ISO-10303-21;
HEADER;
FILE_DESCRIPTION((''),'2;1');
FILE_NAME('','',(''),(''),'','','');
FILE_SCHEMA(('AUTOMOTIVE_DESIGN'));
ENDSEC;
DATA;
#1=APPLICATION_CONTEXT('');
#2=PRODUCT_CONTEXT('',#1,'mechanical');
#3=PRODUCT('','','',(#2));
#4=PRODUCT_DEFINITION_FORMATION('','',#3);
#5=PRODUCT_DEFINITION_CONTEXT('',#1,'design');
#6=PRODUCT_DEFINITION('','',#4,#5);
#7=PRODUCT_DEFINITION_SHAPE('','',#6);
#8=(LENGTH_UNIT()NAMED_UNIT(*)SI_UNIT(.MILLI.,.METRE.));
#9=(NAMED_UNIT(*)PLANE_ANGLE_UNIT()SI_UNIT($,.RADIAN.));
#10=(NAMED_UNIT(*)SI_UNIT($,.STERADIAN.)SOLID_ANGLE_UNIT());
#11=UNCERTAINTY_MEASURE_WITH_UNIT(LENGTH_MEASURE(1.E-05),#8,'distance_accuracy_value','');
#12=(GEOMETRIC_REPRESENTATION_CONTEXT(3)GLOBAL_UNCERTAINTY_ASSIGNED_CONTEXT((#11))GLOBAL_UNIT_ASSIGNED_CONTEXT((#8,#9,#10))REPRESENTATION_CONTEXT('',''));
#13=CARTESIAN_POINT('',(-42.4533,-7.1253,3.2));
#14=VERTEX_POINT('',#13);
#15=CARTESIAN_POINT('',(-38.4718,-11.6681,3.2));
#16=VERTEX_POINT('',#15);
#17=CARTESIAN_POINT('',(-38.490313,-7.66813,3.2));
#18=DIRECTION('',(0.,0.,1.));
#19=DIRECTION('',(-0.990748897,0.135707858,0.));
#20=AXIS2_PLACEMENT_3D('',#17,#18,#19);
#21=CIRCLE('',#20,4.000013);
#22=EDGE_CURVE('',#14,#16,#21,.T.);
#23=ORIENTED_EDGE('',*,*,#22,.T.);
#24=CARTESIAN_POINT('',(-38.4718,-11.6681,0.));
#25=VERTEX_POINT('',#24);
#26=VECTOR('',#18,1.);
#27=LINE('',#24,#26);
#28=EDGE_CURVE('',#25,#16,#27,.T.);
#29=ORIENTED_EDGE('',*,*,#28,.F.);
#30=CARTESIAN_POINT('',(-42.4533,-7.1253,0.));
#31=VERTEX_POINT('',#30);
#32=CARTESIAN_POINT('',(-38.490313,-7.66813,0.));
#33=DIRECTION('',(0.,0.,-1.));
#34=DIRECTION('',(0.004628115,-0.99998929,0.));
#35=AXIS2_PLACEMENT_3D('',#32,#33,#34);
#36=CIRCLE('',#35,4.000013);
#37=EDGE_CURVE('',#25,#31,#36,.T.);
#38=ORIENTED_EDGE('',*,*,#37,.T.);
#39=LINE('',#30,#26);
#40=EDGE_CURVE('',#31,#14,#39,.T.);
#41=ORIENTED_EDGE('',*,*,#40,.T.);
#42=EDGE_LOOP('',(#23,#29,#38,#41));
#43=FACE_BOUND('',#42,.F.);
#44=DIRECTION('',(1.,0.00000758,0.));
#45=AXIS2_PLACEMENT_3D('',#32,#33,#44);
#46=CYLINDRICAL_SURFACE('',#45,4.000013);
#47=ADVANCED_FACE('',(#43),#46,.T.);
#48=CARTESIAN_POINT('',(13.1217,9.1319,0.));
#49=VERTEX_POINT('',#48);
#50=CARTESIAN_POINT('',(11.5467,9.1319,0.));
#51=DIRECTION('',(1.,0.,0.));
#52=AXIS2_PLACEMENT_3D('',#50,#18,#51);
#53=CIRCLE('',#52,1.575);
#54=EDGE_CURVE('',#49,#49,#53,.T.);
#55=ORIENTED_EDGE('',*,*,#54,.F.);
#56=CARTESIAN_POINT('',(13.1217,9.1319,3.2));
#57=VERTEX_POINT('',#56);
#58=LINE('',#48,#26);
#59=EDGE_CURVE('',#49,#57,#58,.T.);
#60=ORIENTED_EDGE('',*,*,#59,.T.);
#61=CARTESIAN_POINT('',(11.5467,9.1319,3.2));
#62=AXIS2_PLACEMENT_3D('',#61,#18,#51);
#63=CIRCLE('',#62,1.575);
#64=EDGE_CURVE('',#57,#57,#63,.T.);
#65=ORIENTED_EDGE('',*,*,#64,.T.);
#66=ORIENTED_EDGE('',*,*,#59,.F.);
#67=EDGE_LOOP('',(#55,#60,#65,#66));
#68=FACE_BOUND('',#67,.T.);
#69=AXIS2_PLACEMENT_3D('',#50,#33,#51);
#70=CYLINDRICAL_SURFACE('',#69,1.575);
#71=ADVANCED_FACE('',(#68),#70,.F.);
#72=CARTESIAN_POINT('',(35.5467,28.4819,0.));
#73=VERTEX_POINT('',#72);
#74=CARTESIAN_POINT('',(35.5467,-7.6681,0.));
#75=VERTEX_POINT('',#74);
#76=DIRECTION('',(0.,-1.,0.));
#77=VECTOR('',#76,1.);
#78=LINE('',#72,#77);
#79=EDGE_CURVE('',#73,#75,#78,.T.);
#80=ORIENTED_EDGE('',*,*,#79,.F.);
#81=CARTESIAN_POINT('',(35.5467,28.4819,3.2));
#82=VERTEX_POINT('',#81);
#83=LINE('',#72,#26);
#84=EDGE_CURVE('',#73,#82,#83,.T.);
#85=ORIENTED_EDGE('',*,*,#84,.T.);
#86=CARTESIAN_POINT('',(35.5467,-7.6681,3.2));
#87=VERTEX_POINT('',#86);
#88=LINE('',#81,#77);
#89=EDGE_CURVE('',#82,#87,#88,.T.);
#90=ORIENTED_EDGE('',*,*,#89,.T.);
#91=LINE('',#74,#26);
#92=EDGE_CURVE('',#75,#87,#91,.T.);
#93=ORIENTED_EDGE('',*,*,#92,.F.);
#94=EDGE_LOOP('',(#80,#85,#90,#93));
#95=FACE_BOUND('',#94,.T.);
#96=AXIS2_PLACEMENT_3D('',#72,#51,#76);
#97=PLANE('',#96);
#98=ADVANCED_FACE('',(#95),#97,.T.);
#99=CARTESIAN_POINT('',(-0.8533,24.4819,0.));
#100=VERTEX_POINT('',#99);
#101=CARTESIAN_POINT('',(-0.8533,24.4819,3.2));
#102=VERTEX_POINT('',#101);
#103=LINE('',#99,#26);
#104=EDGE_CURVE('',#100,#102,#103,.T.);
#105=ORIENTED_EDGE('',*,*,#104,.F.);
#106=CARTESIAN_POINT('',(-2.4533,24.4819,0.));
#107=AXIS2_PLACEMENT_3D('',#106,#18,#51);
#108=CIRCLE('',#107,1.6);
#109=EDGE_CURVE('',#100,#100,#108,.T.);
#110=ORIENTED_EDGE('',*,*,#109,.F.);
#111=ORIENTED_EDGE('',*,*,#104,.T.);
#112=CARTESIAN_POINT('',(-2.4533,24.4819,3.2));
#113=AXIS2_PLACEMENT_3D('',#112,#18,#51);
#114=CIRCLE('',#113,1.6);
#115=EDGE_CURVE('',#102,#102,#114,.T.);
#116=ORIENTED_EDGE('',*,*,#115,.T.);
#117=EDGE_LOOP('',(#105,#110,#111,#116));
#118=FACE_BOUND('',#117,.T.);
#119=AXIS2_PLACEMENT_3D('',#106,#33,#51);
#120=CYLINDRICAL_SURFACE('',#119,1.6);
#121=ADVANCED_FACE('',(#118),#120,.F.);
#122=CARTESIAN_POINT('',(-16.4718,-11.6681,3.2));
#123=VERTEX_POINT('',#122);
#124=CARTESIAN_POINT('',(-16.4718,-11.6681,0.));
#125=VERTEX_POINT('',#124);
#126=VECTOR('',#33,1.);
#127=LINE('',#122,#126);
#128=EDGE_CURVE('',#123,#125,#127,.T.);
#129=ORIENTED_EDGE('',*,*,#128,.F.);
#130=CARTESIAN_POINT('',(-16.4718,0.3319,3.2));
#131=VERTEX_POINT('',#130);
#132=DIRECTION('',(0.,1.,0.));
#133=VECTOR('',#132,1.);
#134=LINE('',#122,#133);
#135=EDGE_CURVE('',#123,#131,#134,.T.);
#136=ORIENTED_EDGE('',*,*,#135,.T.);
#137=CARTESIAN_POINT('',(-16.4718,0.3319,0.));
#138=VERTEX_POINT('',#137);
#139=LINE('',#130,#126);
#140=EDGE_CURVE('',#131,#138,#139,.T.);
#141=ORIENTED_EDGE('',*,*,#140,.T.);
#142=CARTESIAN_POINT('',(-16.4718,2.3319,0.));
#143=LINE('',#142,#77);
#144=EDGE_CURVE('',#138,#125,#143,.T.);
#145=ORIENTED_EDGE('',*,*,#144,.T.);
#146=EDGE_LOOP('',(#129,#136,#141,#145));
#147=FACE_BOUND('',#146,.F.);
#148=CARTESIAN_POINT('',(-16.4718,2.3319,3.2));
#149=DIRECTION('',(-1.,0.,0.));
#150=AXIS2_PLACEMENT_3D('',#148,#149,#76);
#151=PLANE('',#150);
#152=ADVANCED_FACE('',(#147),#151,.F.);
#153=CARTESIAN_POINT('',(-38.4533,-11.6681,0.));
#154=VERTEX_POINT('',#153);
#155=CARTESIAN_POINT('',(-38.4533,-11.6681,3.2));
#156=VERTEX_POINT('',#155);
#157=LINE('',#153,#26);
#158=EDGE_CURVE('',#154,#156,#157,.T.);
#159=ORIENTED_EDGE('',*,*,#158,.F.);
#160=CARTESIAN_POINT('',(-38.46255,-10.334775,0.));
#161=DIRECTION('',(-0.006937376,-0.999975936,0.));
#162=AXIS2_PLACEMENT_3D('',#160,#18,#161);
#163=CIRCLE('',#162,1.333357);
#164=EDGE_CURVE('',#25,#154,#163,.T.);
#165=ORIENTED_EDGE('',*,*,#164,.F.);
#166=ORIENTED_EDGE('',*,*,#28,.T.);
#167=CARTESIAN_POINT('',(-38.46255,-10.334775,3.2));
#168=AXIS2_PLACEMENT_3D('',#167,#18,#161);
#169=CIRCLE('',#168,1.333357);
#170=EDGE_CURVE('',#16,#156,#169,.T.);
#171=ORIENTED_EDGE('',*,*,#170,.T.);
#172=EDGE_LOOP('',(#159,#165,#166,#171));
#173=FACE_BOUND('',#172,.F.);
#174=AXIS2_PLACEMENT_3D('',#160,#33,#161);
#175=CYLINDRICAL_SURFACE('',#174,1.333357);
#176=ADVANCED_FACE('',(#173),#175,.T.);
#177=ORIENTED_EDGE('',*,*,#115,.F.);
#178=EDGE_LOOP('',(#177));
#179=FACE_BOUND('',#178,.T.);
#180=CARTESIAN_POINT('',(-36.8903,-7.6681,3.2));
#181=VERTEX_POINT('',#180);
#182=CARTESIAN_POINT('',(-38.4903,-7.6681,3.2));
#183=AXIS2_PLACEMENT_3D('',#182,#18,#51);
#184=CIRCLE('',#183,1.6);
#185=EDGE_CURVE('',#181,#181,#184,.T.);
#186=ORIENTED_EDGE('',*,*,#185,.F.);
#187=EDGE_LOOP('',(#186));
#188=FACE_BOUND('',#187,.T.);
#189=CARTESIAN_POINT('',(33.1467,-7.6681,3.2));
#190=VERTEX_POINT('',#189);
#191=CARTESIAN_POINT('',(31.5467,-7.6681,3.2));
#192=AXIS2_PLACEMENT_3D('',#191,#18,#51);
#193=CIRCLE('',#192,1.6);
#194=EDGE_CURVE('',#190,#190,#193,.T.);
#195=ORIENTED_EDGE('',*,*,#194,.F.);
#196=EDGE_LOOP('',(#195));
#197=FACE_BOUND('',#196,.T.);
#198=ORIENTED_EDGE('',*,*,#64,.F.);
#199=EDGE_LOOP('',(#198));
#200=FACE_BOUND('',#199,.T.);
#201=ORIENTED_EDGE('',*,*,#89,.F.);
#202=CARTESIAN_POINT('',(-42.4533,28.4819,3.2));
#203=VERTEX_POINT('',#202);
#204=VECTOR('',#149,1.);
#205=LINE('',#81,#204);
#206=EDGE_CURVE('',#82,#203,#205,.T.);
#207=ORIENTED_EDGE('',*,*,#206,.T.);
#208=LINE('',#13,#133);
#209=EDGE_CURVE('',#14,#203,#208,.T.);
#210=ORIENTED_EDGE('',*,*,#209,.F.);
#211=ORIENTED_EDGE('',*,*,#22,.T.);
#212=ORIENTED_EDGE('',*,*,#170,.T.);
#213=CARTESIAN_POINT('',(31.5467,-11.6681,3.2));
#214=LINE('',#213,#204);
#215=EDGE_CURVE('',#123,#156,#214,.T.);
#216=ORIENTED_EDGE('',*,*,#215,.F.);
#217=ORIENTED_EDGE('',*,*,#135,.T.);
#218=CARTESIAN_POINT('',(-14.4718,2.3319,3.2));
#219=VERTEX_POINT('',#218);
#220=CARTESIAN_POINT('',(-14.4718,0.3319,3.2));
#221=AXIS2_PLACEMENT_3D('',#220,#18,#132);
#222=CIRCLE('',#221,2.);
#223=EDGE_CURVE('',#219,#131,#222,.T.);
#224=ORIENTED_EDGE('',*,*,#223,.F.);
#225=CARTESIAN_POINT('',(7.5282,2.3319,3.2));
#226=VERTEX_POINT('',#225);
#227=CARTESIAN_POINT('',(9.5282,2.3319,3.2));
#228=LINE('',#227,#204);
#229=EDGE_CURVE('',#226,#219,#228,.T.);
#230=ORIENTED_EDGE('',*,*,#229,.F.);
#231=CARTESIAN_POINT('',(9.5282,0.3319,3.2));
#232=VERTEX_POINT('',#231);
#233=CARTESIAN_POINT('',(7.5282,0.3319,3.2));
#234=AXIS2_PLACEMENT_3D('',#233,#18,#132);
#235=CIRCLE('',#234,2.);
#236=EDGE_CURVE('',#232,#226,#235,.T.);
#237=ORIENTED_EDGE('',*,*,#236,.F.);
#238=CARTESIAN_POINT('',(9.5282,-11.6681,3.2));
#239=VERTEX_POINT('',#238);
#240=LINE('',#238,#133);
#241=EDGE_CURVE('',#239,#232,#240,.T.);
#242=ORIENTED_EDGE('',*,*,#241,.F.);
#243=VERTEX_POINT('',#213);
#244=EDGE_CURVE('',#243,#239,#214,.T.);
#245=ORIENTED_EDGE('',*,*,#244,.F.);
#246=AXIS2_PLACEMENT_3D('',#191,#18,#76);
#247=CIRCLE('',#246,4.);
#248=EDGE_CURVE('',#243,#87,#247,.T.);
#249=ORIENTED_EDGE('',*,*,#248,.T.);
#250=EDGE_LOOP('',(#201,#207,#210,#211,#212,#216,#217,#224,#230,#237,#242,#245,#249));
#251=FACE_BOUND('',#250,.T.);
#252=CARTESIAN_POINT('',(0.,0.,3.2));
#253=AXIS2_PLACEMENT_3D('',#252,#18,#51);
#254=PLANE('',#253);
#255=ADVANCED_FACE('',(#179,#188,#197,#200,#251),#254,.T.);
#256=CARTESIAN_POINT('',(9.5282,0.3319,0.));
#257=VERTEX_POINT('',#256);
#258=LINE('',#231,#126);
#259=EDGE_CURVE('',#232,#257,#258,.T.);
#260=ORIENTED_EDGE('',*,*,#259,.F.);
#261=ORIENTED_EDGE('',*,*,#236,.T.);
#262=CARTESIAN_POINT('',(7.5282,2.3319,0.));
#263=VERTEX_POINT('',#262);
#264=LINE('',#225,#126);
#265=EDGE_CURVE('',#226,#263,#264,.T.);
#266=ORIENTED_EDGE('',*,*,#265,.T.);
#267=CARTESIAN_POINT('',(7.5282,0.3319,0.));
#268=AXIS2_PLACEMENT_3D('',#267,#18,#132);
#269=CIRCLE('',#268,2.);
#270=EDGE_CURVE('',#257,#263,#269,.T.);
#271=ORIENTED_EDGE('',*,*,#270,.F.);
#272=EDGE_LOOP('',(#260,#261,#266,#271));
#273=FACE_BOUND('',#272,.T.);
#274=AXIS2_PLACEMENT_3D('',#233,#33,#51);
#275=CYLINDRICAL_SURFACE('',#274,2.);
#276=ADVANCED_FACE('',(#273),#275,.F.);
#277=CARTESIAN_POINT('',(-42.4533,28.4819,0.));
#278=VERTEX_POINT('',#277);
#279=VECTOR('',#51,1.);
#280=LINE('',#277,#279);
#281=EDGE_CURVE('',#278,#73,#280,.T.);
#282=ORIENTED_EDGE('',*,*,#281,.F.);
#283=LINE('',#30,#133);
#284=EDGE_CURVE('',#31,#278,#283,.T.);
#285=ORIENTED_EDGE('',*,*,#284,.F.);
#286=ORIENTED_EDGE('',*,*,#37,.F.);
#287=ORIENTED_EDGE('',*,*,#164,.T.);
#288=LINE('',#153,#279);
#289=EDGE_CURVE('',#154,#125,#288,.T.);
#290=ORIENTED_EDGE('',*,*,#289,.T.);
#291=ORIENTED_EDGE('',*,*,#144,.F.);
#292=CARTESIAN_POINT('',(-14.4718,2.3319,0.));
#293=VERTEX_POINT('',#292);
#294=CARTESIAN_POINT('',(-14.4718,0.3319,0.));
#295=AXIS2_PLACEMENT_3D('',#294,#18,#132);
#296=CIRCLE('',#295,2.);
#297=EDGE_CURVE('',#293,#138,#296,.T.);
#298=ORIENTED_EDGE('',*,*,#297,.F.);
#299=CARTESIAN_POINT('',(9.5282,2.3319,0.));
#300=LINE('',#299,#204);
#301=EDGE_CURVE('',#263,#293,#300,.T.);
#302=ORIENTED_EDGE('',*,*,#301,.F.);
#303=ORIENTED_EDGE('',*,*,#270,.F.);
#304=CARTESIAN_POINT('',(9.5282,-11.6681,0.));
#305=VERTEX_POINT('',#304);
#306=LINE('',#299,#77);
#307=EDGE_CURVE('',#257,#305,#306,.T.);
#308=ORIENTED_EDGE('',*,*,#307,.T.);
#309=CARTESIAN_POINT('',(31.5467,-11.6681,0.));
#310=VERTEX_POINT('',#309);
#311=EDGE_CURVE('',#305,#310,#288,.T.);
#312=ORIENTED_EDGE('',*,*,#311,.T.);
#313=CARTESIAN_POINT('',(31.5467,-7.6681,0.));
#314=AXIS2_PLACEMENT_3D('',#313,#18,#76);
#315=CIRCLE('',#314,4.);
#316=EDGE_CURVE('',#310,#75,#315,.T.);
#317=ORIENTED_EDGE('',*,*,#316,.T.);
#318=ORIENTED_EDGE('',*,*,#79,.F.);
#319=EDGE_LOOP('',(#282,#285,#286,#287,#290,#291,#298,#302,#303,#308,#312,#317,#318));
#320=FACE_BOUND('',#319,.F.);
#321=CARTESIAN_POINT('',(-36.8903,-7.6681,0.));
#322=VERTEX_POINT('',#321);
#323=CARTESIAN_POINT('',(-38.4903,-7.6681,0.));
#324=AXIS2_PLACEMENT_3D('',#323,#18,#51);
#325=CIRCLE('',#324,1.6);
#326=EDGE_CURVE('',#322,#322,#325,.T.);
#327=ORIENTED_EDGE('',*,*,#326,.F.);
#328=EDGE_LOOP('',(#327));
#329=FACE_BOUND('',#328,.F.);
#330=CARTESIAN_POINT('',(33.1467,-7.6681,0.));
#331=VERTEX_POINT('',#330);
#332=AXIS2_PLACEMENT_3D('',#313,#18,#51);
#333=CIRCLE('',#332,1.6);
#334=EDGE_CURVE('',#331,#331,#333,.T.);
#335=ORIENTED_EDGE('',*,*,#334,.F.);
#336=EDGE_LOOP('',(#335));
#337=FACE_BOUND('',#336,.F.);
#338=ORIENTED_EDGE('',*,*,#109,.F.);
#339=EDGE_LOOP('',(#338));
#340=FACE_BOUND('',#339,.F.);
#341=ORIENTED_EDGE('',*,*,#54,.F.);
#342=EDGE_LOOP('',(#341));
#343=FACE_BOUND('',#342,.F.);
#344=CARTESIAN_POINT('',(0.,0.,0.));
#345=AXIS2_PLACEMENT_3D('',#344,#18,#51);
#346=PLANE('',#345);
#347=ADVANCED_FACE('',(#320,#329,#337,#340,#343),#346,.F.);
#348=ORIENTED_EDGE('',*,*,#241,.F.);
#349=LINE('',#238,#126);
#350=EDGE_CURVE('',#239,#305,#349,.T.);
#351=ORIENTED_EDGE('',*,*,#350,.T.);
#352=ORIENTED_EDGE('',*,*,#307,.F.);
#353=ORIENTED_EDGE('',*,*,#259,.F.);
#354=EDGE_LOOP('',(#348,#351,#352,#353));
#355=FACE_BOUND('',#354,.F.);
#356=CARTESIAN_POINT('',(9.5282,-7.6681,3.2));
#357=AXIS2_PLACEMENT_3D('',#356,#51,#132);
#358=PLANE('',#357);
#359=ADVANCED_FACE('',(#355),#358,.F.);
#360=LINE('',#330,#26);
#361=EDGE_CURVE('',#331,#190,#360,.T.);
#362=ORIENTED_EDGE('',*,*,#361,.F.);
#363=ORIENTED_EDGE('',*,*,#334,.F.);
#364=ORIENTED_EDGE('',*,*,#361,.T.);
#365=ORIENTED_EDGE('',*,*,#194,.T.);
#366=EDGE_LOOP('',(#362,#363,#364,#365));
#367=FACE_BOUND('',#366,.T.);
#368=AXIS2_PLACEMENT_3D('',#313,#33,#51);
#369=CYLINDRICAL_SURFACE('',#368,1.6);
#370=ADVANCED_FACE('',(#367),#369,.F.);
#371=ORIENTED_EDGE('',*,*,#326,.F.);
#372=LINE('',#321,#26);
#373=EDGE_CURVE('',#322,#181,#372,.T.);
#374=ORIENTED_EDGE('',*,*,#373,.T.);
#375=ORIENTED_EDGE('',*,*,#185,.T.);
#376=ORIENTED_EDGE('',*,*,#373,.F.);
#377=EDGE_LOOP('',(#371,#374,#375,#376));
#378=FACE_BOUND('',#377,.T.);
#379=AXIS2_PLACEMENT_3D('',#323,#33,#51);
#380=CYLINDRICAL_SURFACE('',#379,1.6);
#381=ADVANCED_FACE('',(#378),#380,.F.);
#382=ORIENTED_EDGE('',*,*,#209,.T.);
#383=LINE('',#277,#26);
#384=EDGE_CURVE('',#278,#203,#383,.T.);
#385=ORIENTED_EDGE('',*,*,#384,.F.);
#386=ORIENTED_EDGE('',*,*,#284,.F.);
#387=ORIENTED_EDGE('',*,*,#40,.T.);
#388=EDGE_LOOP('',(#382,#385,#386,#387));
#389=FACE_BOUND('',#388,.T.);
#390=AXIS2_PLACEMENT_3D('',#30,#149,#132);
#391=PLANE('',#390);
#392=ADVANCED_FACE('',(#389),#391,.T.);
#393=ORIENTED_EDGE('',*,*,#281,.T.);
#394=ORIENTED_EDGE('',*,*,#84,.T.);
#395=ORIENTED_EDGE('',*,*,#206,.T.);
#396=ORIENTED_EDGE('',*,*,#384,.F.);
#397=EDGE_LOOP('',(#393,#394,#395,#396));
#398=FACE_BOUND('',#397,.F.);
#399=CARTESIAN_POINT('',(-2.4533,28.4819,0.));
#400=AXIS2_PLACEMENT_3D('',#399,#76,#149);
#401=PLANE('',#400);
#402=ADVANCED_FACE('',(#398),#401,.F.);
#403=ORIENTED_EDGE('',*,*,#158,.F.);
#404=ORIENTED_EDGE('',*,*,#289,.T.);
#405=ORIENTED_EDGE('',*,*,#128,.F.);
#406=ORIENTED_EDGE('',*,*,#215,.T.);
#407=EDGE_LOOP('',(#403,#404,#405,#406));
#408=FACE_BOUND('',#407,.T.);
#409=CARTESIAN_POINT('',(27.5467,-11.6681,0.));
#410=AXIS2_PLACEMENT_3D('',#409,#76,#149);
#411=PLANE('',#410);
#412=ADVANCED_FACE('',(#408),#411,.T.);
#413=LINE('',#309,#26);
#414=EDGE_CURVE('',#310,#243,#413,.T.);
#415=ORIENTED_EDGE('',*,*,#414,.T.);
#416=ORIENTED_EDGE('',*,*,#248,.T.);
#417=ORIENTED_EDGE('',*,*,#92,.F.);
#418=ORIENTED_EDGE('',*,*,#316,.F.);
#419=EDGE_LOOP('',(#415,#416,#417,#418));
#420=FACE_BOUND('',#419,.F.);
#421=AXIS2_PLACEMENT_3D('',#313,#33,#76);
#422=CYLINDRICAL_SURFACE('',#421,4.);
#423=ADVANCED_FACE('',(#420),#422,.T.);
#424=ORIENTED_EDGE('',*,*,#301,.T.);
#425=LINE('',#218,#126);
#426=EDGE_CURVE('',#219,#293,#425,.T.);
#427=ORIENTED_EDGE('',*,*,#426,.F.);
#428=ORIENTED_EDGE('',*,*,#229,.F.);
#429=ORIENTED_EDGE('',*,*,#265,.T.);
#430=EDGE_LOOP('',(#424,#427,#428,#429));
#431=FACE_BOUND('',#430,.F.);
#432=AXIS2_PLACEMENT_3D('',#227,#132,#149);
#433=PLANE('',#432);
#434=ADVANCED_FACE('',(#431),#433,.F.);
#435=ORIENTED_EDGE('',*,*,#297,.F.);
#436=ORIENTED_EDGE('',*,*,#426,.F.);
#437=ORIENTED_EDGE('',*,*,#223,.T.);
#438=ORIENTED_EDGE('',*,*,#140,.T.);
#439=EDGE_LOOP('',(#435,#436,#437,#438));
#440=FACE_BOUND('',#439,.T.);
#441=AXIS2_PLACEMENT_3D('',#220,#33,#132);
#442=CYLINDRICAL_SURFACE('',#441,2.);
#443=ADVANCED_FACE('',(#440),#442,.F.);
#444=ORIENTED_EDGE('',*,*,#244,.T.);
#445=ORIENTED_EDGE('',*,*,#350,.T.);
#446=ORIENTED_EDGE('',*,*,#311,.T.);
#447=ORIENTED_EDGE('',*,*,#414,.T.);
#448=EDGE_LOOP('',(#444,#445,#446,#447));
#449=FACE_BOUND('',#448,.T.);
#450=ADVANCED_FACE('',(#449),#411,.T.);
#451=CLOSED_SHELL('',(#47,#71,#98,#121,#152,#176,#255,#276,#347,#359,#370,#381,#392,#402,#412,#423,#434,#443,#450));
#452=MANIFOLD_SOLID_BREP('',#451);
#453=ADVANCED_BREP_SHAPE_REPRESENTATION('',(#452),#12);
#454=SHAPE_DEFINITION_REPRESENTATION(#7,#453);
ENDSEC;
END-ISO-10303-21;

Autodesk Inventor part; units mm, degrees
ref_plane "YZ Plane" through (0, 0, 0) normal (1, 0, 0) x (0, 1, 0)
ref_plane "XZ Plane" through (0, 0, 0) normal (0, 1, 0) x (-1, 0, 0)
ref_plane "XY Plane" through (0, 0, 0) normal (0, 0, 1) x (1, 0, 0)
sketch "Эскиз1" plane through (0, 0, 0) normal (0, 0, 1) x (1, 0, 0)
  line L0 (27.5467, -7.6681) -> (1.5467, -7.6681)
  line L1 (-6.4533, -7.6681) -> (-34.4903, -7.6681)
  line L2 (-34.4903, -7.6681) -> (-6.4533, -7.6681)
  line L3 (1.5467, -7.6681) -> (27.5467, -7.6681)
  line L4 (27.5467, -7.6681) -> (27.5467, 28.4819)
  line L5 (27.5467, 28.4819) -> (-2.4533, 28.4819)
  line L6 (-2.4533, 28.4819) -> (-34.4903, 28.4819)
  line L7 (-34.4903, 28.4819) -> (-34.4903, -7.6681)
  line L8 (-34.4903, 13.2319) -> (-34.4903, 5.0319)
  line L9 (-34.4903, 3.2319) -> (-34.4903, -7.6681)
  circle A0 centre (11.5467, 9.1319) radius 1.575
  circle A1 centre (-2.4533, 24.4819) radius 1.6
  line L10 (-6.4533, -7.6681) -> (1.5467, -7.6681)
  line L11 (-16.4718, -11.6681) -> (-16.4718, -18.4681) projected
  line L12 (9.5282, -11.6681) -> (9.5282, -18.4681) projected
  line L13 (-16.4718, -18.4681) -> (9.5282, -18.4681) projected
  circle A2 centre (-38.4903, -7.6681) radius 1.6 projected
  circle A3 centre (31.5467, -7.6681) radius 1.6 projected
  arc A4 (31.5467, -11.6681) -> (27.5467, -7.6681) centre (31.5467, -7.6681) ccw projected
  line L14 (27.5467, -7.6681) -> (9.5282, -7.6681) projected
  arc A5 (-34.4903, -7.6681) -> (-38.4718, -11.6681) centre (-38.4903, -7.6681) ccw projected
  arc A6 (-38.4718, -11.6681) -> (-38.4533, -11.6681) centre (-38.4533, -7.6681) ccw projected
  line L15 (-38.4533, -11.6681) -> (-34.4903, -11.6681) projected
  arc A7 (-19.6718, -21.6681) -> (-34.4903, -11.6681) centre (-35.1698, -28.6545) ccw projected
  line L16 (12.7282, -21.6681) -> (-19.6718, -21.6681) projected
  arc A8 (27.5467, -11.6681) -> (12.7282, -21.6681) centre (28.2263, -28.6545) ccw projected
  line L17 (27.5467, -11.6681) -> (31.5467, -11.6681) projected
  arc A9 (35.5467, -7.6681) -> (27.5467, -7.6681) centre (31.5467, -7.6681) ccw projected
  line L18 (35.5467, 28.4819) -> (35.5467, -7.6681) projected
  line L19 (35.5467, 28.4819) -> (-2.4533, 28.4819) projected
  circle A10 centre (-2.4533, 24.4819) radius 4 projected
  line L20 (-2.4533, 28.4819) -> (-42.4533, 28.4819) projected
  line L21 (-42.4533, -7.1253) -> (-42.4533, 28.4819) projected
  arc A11 (-34.4903, -7.6681) -> (-42.4533, -7.1253) centre (-38.4903, -7.6681) ccw projected
  line L22 (-34.4903, -7.6681) -> (27.5467, -7.6681) projected
  arc A12 (-34.4903, 3.2319) -> (-34.4903, 5.0319) centre (-30.4903, 4.1319) ccw projected
  line L23 (-34.4903, 3.2319) -> (-34.4903, 5.0319) projected
  line L24 (-34.4903, 13.2319) -> (-34.4903, 15.0319) projected
  arc A13 (-34.4903, 13.2319) -> (-34.4903, 15.0319) centre (-30.4903, 14.1319) ccw projected
  circle A14 centre (17.5097, 4.1319) radius 4.1 projected
  circle A15 centre (-16.4533, 9.1319) radius 7 projected
  circle A16 centre (11.5467, 9.1319) radius 3.5 projected
  circle A17 centre (17.5097, 14.1319) radius 4.1 projected
  line L25 (35.5467, 28.4819) -> (27.5467, 28.4819)
  line L26 (27.5467, 28.4819) -> (27.5467, -11.6681)
  line L27 (27.5467, -11.6681) -> (35.5467, -11.6681)
  line L28 (35.5467, -11.6681) -> (35.5467, 28.4819)
  line L29 (-42.4533, 28.4819) -> (-34.4903, 28.4819)
  line L30 (-34.4903, 28.4819) -> (-34.4903, -11.6681)
  line L31 (-34.4903, -11.6681) -> (-42.4533, -11.6681)
  line L32 (-42.4533, -11.6681) -> (-42.4533, 28.4819)
  line L33 (27.5467, -11.6681) -> (-34.4903, -11.6681)
  line L34 (-34.4903, -11.6681) -> (-34.4903, -7.6681)
  line L35 (-34.4903, -7.6681) -> (27.5467, -7.6681)
  line L36 (27.5467, -7.6681) -> (27.5467, -11.6681)
  line L37 (9.5282, -7.6681) -> (9.5282, -11.6681) projected
  line L38 (-16.4718, -11.6681) -> (-16.4718, -7.6681) projected
  line L39 (-16.4718, -7.6681) -> (-34.4903, -7.6681) projected
  point P0 (0, 0)
  point P1 (-2.4533, -2.0181)
  point P2 (1.5467, -7.6681)
  point P3 (-42.4533, -8.2109)
extrude "Выдавливание1" add sketch "Эскиз1" along normal blind 3.2 contours L26 L33 L37 L0 | A10 | L0 L10 L1 L7 A12 A13 L6 L5 L4 | L4 L19 L18 A4 | A4 L17 L26 | L37 L33 L38 L1 L10 L0 | L33 L30 L1 L38 | L7 A5 L21 L20 | L15 A6 A5 L32 L30 | A13 L7 | L32 A5 | L7 A12 | A14 | A15 | A16 | A17
sketch "Эскиз2" plane through (0, 0, 3.2) normal (0, 0, 1) x (1, 0, 0)
  line L0 (-16.4718, -7.6681) -> (-13.4718, -7.6681) projected
  line L1 (6.5282, -7.6681) -> (9.5282, -7.6681) projected
  line L2 (-38.4533, -11.6681) -> (31.5467, -11.6681) projected
  line L3 (9.5282, -11.6681) -> (-16.4718, -11.6681)
  line L4 (-16.4718, -11.6681) -> (-16.4718, -7.6681)
  line L5 (-16.4718, -7.6681) -> (9.5282, -7.6681)
  line L6 (9.5282, -7.6681) -> (9.5282, -11.6681)
  line L7 (-16.4718, -7.6681) -> (9.5282, -7.6681)
  line L8 (9.5282, -7.6681) -> (9.5282, 2.3319)
  line L9 (9.5282, 2.3319) -> (-16.4718, 2.3319)
  line L10 (-16.4718, 2.3319) -> (-16.4718, -7.6681)
  point P0 (0, 0)
  point P1 (-16.4718, -11.6681)
  dimension "d4" = 26
  dimension "d5" = 10
extrude "Выдавливание2" cut sketch "Эскиз2" against normal blind 3.2
fillet "Сопряжение1" radius 2 2 edges at (9.5282, 2.3319, 1.6) (-16.4718, 2.3319, 1.6)
properties part number "крышка захвата"
